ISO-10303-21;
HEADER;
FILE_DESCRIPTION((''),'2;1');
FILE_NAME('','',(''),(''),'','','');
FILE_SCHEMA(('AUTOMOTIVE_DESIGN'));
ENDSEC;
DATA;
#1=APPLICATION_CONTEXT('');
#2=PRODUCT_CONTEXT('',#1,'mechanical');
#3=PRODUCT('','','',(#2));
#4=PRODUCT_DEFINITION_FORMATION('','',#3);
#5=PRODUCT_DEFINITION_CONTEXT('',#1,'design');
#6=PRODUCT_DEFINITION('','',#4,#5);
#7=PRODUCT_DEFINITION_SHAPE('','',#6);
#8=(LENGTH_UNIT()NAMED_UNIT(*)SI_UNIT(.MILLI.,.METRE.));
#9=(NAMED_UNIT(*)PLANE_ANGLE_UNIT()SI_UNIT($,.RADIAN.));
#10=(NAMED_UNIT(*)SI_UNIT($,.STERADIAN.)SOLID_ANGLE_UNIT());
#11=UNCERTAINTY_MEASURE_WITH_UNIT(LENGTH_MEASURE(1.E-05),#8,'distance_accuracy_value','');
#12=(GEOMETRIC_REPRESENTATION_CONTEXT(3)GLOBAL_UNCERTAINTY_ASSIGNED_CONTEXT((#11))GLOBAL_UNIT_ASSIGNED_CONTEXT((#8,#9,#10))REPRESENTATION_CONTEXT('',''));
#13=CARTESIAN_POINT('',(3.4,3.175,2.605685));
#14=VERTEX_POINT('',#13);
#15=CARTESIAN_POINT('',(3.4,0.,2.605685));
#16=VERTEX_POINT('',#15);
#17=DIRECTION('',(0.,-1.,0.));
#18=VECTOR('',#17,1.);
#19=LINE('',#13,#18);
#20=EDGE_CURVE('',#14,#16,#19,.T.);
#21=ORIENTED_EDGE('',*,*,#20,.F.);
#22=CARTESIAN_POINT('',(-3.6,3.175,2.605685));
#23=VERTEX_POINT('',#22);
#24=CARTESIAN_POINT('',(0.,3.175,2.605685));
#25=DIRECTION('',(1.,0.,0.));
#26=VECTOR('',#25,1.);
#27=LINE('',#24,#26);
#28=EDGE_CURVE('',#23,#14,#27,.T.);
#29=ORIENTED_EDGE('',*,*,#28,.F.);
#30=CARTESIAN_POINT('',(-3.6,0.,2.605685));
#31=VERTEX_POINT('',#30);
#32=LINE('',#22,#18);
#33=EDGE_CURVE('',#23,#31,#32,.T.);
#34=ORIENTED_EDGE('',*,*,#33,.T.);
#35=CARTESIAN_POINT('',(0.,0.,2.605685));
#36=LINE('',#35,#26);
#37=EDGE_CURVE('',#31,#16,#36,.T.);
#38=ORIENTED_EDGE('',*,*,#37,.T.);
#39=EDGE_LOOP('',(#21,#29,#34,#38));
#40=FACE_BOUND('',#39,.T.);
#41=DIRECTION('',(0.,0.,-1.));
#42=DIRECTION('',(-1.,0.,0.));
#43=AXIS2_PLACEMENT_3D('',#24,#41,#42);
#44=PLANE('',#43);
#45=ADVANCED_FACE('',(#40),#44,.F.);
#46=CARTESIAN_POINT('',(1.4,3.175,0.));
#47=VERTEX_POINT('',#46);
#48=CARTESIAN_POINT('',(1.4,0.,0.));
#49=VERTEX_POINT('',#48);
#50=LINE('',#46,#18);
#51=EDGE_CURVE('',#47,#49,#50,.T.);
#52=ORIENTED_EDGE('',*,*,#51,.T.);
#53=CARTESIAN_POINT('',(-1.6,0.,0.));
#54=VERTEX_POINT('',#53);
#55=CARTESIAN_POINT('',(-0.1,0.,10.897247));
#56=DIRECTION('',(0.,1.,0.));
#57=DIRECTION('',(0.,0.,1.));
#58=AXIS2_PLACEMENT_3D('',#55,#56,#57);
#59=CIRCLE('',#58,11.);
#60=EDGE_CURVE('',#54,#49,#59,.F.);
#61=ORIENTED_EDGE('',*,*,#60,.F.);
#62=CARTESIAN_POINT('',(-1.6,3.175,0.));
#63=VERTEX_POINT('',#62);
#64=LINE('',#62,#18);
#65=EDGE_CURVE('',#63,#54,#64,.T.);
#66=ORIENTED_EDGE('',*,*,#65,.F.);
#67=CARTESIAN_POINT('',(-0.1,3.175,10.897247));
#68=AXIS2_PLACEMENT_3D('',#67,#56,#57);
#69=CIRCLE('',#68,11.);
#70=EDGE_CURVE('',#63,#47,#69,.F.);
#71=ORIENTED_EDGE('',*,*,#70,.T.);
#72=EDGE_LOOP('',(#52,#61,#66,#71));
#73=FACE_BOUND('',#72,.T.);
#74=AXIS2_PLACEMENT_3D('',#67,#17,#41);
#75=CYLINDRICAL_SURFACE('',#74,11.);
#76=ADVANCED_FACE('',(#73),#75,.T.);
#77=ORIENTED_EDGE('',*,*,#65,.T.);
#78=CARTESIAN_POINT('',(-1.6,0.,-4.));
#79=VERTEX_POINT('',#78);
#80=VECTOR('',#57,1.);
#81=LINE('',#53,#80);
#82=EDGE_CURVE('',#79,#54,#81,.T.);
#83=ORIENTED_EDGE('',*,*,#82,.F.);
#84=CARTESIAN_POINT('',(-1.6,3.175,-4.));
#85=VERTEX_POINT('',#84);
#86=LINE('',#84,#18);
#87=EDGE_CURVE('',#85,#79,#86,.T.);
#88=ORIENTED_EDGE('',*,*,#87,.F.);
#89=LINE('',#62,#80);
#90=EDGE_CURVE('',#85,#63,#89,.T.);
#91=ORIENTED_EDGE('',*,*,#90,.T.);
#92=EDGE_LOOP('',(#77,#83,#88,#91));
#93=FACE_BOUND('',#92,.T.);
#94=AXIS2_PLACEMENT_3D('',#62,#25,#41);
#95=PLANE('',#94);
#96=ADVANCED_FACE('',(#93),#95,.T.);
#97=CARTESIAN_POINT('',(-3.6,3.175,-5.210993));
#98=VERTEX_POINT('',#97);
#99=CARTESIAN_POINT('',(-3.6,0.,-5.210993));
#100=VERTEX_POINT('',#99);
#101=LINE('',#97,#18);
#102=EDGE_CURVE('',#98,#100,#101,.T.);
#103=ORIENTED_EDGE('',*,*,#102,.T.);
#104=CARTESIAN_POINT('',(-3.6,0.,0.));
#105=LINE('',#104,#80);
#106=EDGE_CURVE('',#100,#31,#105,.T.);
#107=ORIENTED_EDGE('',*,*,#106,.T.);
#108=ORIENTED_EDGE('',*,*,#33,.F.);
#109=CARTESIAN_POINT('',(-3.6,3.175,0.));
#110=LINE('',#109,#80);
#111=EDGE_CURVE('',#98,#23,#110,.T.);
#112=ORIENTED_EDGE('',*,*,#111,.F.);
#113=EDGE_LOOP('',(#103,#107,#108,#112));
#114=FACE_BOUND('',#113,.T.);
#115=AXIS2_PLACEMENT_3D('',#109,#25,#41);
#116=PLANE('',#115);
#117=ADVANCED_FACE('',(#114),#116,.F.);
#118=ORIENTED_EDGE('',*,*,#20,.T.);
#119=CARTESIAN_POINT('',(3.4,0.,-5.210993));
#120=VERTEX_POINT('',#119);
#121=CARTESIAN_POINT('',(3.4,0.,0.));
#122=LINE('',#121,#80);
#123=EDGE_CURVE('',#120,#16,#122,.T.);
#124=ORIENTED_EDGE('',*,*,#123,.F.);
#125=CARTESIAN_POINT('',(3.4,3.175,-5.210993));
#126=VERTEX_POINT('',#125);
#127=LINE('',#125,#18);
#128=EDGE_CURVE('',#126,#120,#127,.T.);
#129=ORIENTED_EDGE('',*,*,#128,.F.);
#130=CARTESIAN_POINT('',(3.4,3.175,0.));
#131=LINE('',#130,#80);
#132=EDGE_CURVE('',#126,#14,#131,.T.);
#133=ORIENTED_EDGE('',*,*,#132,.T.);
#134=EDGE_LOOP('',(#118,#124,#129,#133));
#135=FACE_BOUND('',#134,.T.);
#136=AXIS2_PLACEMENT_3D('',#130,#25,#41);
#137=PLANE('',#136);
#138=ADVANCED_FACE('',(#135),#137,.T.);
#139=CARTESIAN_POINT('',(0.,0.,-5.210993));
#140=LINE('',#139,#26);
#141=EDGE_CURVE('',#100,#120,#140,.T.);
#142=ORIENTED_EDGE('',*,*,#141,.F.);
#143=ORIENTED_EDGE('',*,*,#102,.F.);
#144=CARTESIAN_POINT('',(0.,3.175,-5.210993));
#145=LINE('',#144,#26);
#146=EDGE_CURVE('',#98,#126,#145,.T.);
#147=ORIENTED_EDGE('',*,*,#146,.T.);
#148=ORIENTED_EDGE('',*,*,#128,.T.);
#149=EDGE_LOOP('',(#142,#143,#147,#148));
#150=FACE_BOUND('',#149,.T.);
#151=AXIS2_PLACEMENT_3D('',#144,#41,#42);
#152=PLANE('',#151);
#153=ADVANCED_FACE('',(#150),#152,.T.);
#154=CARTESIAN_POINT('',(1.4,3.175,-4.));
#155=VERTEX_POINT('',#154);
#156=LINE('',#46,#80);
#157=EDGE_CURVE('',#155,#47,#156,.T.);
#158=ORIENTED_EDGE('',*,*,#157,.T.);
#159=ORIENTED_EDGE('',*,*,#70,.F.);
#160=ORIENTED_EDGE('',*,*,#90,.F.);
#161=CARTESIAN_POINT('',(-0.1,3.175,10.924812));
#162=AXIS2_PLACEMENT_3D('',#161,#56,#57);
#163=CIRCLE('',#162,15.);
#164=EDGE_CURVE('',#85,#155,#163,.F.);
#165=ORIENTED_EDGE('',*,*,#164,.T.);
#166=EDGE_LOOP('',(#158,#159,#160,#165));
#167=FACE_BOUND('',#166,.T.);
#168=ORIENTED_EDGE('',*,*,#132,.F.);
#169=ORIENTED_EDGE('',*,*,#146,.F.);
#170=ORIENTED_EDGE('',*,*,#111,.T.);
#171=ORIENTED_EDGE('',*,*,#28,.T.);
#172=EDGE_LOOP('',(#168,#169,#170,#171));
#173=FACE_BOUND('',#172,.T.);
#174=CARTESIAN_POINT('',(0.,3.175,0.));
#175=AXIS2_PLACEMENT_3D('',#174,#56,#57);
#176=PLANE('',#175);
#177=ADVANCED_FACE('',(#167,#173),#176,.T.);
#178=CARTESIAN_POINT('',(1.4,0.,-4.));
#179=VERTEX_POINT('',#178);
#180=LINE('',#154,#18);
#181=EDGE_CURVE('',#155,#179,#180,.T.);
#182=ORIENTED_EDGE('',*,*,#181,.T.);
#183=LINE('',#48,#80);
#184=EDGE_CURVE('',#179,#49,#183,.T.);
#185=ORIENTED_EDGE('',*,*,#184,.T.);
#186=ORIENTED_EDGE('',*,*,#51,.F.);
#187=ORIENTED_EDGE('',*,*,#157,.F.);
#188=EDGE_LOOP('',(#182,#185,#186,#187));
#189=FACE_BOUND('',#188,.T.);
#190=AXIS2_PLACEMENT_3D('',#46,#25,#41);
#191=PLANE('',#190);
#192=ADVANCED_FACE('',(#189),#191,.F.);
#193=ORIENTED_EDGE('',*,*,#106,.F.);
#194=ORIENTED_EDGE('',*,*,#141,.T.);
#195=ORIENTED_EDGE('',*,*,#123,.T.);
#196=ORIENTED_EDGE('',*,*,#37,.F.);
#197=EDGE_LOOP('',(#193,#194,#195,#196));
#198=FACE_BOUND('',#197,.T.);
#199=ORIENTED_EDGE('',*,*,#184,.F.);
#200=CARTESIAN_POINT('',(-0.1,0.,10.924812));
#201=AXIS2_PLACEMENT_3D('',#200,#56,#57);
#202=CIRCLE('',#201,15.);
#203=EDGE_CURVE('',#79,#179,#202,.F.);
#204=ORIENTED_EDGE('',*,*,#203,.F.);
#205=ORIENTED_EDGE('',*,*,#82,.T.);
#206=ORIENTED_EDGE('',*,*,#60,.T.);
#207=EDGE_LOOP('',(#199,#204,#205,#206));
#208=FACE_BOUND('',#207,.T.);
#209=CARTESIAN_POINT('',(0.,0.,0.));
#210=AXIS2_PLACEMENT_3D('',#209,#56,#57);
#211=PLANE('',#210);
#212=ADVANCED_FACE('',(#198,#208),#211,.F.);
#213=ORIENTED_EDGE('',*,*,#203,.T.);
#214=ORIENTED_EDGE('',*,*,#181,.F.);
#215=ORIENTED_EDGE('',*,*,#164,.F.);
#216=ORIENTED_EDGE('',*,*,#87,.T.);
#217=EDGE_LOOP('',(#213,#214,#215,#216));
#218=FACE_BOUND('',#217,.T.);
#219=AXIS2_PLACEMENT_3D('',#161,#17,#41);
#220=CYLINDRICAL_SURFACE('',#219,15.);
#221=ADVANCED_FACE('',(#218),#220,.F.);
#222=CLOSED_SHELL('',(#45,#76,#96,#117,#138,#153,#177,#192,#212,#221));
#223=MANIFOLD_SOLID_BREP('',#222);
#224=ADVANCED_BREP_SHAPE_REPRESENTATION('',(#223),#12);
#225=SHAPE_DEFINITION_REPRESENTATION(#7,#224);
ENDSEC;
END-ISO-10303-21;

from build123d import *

# Parameters (mm, degrees)
SKETCH1_W           = 7
SKETCH1_H           = 7.816678586
BOSS_EXTRUDE1_DEPTH = 3.175


with BuildPart() as part:
    # Sketch1 → Boss-Extrude1 (new body)
    with BuildSketch(Plane(origin=(0, 0, 0), x_dir=(1, 0, 0), z_dir=(0, 1, 0))):
        with Locations((-0.1, 1.30265391)):
            Rectangle(SKETCH1_W, SKETCH1_H)
        with BuildLine():
            Line((-1.6, 0), (-1.6, 4))
            ThreePointArc((-1.6, 4), (-0.1, 4.075188443), (1.4, 4))
            Line((1.4, 4), (1.4, 0))
            ThreePointArc((1.4, 0), (-0.1, 0.102752641), (-1.6, 0))
        make_face(mode=Mode.SUBTRACT)
    extrude(amount=BOSS_EXTRUDE1_DEPTH)


solid = part.part
